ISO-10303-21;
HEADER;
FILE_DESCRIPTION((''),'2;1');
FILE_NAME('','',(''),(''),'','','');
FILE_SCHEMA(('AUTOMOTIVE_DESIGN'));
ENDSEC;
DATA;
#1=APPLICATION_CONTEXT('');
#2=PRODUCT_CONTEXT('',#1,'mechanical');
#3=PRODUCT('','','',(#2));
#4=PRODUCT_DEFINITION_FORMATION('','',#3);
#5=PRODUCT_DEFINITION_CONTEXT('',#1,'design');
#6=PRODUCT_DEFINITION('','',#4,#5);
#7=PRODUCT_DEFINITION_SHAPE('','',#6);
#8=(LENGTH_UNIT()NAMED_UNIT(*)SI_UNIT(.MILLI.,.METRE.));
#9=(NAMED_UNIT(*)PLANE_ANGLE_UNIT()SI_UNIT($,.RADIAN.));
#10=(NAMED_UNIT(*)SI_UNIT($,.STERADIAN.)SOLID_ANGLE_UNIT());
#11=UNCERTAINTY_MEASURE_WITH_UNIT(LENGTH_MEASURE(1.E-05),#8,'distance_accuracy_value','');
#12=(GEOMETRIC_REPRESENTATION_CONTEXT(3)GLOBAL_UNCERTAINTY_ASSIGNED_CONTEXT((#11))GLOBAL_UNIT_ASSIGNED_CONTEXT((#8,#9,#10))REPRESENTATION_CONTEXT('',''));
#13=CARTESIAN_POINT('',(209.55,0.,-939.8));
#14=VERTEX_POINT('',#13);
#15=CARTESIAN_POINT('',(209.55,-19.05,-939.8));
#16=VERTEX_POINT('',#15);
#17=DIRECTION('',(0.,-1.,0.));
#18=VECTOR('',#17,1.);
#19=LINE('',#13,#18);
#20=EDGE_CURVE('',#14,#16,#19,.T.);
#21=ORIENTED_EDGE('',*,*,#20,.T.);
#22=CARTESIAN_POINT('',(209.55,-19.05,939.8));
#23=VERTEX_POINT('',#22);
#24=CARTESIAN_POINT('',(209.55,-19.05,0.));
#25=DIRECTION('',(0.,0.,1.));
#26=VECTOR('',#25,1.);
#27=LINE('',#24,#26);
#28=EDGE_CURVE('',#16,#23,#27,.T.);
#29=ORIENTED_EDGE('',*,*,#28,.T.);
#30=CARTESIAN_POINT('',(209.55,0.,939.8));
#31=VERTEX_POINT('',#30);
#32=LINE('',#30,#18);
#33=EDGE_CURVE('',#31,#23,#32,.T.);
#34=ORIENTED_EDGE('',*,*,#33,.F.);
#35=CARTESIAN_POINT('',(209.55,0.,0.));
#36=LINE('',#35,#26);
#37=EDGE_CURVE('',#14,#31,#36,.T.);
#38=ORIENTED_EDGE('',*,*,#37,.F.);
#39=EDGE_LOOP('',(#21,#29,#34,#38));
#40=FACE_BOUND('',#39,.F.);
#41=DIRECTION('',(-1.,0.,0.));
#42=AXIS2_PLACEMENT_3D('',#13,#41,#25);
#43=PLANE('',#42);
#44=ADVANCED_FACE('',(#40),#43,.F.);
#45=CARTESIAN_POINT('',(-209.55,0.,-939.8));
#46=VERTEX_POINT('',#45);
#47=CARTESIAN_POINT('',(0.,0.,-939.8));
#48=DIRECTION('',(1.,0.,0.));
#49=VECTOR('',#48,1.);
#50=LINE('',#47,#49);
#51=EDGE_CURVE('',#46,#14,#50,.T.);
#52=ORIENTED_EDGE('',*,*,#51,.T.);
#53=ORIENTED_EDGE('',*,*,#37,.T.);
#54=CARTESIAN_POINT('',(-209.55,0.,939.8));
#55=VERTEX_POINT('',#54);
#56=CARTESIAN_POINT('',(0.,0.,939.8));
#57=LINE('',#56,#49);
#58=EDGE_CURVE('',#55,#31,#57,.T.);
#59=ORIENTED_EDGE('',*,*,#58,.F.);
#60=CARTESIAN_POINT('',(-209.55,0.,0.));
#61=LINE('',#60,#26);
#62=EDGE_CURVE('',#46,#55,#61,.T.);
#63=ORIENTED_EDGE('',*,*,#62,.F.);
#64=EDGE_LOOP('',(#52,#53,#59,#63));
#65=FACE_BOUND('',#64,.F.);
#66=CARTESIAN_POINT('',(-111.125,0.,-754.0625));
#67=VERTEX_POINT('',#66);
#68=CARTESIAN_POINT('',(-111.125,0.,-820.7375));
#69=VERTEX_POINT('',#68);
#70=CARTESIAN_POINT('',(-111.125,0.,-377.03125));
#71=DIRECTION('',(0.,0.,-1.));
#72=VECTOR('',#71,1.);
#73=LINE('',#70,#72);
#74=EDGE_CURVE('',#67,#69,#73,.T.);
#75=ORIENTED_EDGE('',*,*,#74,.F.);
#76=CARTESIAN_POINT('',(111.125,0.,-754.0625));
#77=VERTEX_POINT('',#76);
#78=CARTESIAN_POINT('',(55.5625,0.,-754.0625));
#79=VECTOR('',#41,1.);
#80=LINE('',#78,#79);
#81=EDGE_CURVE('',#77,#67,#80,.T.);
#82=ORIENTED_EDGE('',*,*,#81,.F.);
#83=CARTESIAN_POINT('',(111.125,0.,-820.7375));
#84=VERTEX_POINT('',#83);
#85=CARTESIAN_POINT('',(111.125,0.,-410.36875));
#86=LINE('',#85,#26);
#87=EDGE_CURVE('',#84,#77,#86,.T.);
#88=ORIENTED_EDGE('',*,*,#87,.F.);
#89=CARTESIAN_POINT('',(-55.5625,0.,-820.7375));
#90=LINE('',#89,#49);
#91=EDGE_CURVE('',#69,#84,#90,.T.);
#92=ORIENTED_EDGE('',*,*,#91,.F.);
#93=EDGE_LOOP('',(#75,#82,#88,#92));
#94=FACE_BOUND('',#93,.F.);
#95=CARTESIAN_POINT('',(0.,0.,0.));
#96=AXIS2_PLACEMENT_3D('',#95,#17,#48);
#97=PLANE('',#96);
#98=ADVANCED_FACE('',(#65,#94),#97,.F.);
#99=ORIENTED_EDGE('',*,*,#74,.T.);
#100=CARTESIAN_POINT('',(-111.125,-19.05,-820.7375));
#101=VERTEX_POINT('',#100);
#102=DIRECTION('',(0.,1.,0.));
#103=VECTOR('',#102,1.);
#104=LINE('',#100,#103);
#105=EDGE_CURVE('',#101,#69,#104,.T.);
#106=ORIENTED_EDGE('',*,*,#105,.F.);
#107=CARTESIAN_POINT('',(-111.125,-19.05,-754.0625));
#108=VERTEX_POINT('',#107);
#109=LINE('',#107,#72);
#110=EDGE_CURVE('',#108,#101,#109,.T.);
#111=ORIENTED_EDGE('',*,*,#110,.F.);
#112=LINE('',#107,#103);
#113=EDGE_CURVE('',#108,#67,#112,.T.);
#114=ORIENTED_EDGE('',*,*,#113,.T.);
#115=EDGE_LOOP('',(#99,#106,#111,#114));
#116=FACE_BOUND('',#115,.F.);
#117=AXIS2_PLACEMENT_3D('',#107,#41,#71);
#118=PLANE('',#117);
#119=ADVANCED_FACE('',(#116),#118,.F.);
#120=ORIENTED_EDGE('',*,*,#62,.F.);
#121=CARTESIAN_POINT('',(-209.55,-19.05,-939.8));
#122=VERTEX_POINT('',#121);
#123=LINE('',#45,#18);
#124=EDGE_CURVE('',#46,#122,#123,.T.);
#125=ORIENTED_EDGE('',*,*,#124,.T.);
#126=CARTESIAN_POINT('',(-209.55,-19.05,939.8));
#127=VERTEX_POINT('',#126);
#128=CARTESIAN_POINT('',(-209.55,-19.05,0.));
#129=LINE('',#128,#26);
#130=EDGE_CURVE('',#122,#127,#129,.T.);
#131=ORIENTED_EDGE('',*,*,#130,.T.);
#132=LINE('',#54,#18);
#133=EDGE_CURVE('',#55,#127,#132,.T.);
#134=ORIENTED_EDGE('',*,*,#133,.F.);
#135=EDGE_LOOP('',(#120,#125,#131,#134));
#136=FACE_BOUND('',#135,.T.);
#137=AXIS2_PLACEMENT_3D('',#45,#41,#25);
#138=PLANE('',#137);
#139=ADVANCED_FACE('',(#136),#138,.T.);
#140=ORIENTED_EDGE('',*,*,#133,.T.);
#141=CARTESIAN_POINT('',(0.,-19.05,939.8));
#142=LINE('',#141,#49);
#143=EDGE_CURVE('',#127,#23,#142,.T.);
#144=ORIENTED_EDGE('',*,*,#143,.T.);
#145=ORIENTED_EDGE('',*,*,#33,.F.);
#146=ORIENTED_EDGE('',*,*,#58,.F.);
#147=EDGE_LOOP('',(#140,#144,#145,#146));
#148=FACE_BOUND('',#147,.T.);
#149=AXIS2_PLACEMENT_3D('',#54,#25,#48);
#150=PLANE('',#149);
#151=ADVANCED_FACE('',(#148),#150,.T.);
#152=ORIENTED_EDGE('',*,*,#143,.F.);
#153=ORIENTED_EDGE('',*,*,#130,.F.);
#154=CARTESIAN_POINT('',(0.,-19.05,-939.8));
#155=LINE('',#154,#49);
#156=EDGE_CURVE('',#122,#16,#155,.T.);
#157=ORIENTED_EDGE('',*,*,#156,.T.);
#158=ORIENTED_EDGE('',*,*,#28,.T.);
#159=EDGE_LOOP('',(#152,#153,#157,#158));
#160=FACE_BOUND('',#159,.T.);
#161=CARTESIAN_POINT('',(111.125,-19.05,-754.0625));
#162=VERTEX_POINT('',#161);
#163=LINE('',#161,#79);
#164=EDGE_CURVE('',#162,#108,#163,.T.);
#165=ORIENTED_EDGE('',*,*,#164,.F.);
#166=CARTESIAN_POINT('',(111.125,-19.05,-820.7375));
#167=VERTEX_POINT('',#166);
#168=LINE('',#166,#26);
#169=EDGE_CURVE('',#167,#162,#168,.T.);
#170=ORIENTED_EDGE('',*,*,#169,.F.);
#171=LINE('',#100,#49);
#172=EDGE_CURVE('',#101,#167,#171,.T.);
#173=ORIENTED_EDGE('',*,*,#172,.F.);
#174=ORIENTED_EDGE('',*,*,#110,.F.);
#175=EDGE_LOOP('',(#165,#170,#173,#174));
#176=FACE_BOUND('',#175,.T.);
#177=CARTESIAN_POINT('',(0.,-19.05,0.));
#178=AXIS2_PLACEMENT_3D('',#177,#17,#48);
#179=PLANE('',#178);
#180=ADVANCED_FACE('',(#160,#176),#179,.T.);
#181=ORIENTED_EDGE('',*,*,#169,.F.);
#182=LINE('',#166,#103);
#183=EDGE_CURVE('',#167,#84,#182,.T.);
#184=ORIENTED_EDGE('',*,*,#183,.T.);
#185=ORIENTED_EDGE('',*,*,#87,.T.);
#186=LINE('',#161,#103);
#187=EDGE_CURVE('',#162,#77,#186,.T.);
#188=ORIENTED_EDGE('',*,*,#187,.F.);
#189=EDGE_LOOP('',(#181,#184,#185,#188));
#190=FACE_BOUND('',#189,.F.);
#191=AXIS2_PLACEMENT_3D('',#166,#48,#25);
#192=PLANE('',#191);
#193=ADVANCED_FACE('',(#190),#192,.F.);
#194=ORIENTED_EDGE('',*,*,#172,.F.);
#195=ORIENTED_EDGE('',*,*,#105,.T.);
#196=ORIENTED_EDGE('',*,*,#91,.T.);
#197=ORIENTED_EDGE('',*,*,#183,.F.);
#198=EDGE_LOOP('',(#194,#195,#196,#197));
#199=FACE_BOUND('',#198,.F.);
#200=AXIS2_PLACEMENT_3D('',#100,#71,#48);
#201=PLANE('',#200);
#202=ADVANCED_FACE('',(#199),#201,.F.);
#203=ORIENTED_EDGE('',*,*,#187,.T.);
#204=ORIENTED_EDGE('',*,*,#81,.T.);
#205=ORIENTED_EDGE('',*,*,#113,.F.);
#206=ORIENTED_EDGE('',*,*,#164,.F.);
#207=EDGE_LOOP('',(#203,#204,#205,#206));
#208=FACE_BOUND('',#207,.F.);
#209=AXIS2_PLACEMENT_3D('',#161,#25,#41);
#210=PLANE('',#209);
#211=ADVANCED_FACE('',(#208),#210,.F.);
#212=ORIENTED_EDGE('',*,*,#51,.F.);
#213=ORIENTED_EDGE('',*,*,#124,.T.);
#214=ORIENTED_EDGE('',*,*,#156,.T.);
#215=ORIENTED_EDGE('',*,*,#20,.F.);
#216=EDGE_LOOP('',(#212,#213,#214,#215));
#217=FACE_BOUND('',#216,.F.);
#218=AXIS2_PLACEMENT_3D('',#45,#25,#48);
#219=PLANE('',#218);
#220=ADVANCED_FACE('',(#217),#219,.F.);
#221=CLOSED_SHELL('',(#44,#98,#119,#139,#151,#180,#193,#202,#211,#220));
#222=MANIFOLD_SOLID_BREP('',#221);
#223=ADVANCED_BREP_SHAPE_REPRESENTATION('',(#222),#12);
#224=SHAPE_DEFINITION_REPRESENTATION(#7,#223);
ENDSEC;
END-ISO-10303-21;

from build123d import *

# Parameters (mm, degrees)
F0_W     = 419.1
F0_H     = 1879.6
F1_DEPTH = 19.05
F3_DEPTH = 25.4


with BuildPart() as f1:
    # F0 (on Front) → F1 (new body)
    with BuildSketch(Plane.XZ):
        Rectangle(F0_W, F0_H)
    extrude(amount=F1_DEPTH)

    # F2 (on face) → F3 (cut)
    with BuildSketch(Plane.XZ.offset(19.05)):
        Polygon((-111.125, -820.7375), (0, -820.7375), (111.125, -820.7375), (111.125, -754.0625), (-111.125, -754.0625), align=None)
    extrude(amount=-F3_DEPTH, mode=Mode.SUBTRACT)


solid = f1.part
